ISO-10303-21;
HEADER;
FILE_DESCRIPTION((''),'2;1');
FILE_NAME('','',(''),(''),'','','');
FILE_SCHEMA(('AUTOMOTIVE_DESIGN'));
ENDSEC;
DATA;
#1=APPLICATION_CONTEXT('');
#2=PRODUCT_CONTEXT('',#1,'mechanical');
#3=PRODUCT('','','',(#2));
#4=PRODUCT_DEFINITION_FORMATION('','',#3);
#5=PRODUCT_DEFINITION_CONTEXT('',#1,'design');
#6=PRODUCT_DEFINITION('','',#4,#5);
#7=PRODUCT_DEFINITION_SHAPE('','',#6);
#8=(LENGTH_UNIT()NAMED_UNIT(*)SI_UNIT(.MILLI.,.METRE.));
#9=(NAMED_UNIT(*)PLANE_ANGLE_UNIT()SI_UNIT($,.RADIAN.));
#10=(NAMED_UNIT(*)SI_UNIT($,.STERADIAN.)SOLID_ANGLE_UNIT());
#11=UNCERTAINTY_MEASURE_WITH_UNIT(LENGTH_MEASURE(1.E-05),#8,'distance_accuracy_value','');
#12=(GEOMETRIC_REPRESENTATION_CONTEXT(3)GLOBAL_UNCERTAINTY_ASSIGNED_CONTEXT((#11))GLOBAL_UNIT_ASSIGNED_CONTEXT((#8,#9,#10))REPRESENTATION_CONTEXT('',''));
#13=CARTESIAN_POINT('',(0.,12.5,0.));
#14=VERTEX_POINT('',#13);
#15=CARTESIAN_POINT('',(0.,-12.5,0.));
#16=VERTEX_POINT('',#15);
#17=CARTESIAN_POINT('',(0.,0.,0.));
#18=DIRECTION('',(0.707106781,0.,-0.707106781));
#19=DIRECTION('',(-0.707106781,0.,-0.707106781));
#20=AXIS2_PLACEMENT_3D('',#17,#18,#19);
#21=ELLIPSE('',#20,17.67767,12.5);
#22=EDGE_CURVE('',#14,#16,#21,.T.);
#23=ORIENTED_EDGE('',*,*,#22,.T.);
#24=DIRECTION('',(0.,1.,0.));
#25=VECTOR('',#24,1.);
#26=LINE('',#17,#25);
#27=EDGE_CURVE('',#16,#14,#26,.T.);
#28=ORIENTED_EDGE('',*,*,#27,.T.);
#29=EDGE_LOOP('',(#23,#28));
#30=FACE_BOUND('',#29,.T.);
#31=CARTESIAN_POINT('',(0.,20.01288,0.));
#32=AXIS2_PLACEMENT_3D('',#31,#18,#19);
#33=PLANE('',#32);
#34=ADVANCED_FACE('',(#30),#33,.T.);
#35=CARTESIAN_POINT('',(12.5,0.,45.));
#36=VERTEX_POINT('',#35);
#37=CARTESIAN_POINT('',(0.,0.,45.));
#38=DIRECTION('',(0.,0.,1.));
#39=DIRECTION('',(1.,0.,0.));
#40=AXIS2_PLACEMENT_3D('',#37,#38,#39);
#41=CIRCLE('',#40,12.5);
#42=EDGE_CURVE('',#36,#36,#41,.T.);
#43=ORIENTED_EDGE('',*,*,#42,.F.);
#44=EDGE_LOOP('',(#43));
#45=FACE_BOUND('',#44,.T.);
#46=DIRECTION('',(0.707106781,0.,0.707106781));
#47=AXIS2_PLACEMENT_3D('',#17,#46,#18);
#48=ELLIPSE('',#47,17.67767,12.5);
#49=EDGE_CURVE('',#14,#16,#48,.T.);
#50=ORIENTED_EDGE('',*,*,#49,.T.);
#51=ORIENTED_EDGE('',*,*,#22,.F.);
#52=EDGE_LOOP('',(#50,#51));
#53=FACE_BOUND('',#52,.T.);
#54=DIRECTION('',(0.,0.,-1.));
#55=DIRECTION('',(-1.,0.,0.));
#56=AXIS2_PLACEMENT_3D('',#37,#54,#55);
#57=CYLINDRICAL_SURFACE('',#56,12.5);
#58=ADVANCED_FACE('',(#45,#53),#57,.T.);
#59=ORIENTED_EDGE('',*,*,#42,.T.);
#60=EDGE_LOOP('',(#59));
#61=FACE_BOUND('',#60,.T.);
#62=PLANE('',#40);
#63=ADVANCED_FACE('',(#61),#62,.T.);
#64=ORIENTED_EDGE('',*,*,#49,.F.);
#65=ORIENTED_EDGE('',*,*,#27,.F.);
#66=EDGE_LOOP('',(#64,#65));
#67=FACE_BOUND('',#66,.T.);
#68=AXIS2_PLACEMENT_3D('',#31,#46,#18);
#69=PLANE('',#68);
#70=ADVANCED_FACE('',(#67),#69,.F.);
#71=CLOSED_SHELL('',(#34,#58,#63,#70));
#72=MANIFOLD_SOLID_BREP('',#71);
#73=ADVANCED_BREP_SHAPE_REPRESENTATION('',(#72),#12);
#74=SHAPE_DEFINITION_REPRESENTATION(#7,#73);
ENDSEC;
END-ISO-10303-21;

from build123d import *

# Parameters (mm, degrees)
SKETCH1_R           = 12.5
BOSS_EXTRUDE1_DEPTH = 45
CUT_EXTRUDE6_DEPTH  = 36


with BuildPart() as part:
    # Sketch1 → Boss-Extrude1 (new body)
    with BuildSketch(Plane.XY):
        with Locations(Location((0, 0, 0), (0, 0, 180))):
            Circle(SKETCH1_R)
    extrude(amount=BOSS_EXTRUDE1_DEPTH)

    # Sketch2 → Cut-Extrude6 (cut)
    with BuildSketch(Plane(origin=(0, -15.98711963, 0), x_dir=(-1, 0, 0), z_dir=(0, -1, 0))):
        Polygon((-12.5, -12.5), (0, 0), (-12.5, 0), align=None)
        Polygon((12.5, 0), (0, 0), (12.5, -12.5), align=None)
    extrude(amount=-CUT_EXTRUDE6_DEPTH, mode=Mode.SUBTRACT)


solid = part.part
